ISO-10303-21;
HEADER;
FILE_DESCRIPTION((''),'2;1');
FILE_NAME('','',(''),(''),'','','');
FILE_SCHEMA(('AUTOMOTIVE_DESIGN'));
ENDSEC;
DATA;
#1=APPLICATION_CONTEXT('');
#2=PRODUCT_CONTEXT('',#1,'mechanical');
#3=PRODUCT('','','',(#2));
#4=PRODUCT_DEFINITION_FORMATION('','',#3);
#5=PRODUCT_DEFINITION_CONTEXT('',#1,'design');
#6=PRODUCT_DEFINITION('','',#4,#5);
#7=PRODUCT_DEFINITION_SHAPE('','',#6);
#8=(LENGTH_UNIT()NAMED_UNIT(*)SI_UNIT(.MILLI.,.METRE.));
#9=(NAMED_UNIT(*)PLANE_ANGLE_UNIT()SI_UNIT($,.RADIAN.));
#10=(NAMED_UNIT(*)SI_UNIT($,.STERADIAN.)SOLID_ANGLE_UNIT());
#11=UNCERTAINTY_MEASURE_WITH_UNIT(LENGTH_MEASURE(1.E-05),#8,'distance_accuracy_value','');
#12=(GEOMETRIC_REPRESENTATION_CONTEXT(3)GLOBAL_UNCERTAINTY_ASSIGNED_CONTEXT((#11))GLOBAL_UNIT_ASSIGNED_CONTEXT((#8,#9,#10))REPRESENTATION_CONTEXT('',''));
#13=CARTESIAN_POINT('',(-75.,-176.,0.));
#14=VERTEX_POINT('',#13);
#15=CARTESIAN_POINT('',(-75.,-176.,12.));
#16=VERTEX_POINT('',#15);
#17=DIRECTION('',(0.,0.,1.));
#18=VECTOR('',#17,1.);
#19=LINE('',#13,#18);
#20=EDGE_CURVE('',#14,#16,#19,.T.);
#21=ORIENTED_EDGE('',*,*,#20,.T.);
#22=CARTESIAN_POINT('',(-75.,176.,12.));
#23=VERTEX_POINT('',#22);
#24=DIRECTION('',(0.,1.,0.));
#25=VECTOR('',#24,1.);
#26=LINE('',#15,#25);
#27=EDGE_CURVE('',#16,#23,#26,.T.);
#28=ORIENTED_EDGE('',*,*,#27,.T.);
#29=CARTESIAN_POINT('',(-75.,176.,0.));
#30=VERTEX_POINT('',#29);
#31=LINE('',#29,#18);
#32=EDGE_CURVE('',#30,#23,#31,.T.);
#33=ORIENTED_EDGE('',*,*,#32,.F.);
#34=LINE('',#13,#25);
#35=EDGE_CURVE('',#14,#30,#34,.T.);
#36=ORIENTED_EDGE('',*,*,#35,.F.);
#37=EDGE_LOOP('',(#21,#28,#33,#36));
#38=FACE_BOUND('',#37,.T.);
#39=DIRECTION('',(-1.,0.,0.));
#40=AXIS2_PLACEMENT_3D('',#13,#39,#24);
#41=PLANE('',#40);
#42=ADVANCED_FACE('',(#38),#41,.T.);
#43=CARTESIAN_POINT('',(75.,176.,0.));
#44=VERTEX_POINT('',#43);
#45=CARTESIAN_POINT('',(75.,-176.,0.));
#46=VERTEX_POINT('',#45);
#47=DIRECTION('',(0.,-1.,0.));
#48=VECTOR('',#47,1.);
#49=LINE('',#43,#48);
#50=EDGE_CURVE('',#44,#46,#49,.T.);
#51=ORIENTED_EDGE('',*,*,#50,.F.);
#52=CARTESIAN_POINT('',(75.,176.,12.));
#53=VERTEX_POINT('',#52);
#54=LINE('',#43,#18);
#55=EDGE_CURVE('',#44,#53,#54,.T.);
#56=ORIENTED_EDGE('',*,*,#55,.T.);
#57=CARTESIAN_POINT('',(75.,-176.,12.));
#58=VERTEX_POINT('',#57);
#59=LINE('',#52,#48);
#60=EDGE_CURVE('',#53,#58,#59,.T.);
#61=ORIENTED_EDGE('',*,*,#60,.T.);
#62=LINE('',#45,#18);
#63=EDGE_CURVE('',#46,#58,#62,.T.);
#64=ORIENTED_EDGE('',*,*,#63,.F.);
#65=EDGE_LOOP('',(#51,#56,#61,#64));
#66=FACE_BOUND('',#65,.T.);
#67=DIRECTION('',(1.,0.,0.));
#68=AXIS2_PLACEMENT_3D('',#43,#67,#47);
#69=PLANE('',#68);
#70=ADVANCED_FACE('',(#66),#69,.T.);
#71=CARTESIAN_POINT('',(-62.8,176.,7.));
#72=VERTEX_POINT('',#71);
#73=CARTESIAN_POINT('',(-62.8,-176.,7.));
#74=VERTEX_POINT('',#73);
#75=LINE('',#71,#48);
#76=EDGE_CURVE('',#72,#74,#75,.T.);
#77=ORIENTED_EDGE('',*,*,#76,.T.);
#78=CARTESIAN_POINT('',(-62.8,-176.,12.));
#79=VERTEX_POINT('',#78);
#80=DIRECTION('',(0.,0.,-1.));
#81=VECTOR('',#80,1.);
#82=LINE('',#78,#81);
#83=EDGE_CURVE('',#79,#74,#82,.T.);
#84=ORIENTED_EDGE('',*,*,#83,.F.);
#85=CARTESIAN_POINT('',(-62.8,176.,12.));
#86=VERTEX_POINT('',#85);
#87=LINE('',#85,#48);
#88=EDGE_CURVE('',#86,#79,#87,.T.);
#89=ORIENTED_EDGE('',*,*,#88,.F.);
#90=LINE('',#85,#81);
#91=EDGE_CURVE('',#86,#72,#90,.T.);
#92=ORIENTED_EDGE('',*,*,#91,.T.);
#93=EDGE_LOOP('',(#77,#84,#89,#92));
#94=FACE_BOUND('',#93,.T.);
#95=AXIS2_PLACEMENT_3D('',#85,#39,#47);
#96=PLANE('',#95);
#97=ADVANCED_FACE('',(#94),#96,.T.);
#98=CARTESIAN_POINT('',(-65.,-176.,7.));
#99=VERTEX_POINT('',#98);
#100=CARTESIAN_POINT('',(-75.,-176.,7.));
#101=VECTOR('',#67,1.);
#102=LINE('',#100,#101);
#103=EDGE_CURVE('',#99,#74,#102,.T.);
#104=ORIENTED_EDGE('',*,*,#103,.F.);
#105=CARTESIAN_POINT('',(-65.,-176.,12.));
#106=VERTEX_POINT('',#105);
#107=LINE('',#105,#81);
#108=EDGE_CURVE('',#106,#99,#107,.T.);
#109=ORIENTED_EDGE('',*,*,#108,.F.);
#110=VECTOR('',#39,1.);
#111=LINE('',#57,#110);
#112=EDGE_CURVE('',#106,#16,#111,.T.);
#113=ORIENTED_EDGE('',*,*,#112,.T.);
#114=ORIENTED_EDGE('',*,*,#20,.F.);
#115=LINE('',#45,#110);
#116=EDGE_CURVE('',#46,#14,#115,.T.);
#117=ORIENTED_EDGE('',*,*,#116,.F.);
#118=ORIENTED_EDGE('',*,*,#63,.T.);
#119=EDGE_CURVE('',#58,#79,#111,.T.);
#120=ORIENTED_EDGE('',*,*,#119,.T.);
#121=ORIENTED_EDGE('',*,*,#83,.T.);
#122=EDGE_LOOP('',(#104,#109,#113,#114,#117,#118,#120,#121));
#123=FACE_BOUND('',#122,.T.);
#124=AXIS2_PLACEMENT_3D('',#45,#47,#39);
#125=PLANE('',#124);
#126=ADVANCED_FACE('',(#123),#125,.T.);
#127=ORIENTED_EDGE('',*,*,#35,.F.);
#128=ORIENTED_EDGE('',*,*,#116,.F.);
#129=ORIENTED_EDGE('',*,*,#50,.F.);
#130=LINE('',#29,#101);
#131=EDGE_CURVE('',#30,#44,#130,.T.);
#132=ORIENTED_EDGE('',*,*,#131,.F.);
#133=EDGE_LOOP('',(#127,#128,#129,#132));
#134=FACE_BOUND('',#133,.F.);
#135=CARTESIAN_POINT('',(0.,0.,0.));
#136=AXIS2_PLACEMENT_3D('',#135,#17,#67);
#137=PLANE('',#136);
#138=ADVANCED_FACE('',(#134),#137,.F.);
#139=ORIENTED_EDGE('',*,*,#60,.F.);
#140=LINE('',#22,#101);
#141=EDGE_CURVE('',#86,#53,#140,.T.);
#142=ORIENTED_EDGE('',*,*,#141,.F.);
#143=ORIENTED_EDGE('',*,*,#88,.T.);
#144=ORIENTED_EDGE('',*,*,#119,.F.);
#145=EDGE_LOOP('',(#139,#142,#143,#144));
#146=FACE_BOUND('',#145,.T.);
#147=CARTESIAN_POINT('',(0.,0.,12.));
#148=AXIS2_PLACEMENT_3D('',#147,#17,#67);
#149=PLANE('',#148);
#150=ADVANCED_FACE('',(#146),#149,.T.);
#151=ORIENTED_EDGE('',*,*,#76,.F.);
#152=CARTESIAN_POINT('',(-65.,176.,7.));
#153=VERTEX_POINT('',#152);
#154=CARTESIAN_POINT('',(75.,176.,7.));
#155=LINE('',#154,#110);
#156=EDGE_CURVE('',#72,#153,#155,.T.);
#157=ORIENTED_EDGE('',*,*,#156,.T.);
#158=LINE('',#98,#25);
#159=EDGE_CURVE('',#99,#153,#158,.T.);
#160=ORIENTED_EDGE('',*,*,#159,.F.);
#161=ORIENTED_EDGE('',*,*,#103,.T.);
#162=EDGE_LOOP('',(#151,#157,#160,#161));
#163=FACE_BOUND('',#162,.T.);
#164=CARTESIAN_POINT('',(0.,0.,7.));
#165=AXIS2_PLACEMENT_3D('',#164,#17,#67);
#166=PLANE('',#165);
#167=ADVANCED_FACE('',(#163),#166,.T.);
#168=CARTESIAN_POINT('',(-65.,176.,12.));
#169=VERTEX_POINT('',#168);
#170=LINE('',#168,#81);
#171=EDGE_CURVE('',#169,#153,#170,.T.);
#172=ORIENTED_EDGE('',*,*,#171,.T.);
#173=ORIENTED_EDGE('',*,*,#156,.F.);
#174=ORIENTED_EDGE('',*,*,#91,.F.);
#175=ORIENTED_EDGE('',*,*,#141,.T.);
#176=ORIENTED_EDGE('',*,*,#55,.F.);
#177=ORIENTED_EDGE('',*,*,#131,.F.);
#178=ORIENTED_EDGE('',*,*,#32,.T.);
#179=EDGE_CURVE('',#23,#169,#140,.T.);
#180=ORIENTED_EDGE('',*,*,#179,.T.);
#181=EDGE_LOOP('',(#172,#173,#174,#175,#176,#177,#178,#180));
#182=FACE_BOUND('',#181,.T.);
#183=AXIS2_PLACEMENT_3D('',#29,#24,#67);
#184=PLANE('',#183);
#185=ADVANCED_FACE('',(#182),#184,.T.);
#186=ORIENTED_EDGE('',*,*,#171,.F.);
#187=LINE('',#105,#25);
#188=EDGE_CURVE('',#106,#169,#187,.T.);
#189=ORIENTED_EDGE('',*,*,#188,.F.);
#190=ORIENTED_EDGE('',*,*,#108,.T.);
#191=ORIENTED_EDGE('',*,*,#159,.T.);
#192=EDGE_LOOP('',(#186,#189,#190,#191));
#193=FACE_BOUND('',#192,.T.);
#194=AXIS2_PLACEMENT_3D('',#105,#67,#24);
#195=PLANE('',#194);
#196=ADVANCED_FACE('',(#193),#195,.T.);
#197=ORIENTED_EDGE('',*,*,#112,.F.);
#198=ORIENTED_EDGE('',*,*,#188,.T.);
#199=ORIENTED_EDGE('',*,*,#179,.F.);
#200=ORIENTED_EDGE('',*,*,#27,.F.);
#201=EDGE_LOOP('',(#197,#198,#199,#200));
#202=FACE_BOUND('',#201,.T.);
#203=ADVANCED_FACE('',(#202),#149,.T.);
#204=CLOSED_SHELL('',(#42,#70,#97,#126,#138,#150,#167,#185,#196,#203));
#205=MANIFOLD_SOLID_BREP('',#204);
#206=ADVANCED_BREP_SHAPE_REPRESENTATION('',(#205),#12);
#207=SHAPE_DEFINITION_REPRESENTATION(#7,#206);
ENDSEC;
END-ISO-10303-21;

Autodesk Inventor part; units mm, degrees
ref_plane "YZ Plane" through (0, 0, 0) normal (1, 0, 0) x (0, 1, 0)
ref_plane "XZ Plane" through (0, 0, 0) normal (0, 1, 0) x (-1, 0, 0)
ref_plane "XY Plane" through (0, 0, 0) normal (0, 0, 1) x (1, 0, 0)
sketch "Skizze1" plane through (0, 0, 0) normal (0, 0, 1) x (1, 0, 0)
  line L0 (-75, 176) -> (75, 176)
  line L1 (75, 176) -> (75, -176)
  line L2 (75, -176) -> (-75, -176)
  line L3 (-75, -176) -> (-75, 176)
  point P0 (0, 0)
  point P1 (0, 176)
  point P2 (-75, 0)
  dimension "d0" = 150
  dimension "d1" = 352
extrude "Extrusion1" add sketch "Skizze1" along normal blind 12
sketch "Skizze2" plane through (0, 0, 12) normal (0, 0, 1) x (1, 0, 0)
  line L0 (-75, -176) -> (75, -176) projected
  line L1 (75, -176) -> (75, 176) projected
  line L2 (75, 176) -> (-75, 176) projected
  line L3 (-75, 176) -> (-75, -176) projected
  line L4 (75, 176) -> (-75, 176) projected
  line L5 (-65, 176) -> (-62.8, 176)
  line L6 (-62.8, 176) -> (-62.8, -176)
  line L7 (-62.8, -176) -> (-65, -176)
  line L8 (-65, -176) -> (-65, 176)
  point P0 (0, 0)
  dimension "d4" = 10
  dimension "d5" = 2.2
extrude "Extrusion2" cut sketch "Skizze2" against normal blind 5 contours L8 L2 L6 L0
properties part number "Querseite_Shotclock" material "Holz (Kirsche)"
